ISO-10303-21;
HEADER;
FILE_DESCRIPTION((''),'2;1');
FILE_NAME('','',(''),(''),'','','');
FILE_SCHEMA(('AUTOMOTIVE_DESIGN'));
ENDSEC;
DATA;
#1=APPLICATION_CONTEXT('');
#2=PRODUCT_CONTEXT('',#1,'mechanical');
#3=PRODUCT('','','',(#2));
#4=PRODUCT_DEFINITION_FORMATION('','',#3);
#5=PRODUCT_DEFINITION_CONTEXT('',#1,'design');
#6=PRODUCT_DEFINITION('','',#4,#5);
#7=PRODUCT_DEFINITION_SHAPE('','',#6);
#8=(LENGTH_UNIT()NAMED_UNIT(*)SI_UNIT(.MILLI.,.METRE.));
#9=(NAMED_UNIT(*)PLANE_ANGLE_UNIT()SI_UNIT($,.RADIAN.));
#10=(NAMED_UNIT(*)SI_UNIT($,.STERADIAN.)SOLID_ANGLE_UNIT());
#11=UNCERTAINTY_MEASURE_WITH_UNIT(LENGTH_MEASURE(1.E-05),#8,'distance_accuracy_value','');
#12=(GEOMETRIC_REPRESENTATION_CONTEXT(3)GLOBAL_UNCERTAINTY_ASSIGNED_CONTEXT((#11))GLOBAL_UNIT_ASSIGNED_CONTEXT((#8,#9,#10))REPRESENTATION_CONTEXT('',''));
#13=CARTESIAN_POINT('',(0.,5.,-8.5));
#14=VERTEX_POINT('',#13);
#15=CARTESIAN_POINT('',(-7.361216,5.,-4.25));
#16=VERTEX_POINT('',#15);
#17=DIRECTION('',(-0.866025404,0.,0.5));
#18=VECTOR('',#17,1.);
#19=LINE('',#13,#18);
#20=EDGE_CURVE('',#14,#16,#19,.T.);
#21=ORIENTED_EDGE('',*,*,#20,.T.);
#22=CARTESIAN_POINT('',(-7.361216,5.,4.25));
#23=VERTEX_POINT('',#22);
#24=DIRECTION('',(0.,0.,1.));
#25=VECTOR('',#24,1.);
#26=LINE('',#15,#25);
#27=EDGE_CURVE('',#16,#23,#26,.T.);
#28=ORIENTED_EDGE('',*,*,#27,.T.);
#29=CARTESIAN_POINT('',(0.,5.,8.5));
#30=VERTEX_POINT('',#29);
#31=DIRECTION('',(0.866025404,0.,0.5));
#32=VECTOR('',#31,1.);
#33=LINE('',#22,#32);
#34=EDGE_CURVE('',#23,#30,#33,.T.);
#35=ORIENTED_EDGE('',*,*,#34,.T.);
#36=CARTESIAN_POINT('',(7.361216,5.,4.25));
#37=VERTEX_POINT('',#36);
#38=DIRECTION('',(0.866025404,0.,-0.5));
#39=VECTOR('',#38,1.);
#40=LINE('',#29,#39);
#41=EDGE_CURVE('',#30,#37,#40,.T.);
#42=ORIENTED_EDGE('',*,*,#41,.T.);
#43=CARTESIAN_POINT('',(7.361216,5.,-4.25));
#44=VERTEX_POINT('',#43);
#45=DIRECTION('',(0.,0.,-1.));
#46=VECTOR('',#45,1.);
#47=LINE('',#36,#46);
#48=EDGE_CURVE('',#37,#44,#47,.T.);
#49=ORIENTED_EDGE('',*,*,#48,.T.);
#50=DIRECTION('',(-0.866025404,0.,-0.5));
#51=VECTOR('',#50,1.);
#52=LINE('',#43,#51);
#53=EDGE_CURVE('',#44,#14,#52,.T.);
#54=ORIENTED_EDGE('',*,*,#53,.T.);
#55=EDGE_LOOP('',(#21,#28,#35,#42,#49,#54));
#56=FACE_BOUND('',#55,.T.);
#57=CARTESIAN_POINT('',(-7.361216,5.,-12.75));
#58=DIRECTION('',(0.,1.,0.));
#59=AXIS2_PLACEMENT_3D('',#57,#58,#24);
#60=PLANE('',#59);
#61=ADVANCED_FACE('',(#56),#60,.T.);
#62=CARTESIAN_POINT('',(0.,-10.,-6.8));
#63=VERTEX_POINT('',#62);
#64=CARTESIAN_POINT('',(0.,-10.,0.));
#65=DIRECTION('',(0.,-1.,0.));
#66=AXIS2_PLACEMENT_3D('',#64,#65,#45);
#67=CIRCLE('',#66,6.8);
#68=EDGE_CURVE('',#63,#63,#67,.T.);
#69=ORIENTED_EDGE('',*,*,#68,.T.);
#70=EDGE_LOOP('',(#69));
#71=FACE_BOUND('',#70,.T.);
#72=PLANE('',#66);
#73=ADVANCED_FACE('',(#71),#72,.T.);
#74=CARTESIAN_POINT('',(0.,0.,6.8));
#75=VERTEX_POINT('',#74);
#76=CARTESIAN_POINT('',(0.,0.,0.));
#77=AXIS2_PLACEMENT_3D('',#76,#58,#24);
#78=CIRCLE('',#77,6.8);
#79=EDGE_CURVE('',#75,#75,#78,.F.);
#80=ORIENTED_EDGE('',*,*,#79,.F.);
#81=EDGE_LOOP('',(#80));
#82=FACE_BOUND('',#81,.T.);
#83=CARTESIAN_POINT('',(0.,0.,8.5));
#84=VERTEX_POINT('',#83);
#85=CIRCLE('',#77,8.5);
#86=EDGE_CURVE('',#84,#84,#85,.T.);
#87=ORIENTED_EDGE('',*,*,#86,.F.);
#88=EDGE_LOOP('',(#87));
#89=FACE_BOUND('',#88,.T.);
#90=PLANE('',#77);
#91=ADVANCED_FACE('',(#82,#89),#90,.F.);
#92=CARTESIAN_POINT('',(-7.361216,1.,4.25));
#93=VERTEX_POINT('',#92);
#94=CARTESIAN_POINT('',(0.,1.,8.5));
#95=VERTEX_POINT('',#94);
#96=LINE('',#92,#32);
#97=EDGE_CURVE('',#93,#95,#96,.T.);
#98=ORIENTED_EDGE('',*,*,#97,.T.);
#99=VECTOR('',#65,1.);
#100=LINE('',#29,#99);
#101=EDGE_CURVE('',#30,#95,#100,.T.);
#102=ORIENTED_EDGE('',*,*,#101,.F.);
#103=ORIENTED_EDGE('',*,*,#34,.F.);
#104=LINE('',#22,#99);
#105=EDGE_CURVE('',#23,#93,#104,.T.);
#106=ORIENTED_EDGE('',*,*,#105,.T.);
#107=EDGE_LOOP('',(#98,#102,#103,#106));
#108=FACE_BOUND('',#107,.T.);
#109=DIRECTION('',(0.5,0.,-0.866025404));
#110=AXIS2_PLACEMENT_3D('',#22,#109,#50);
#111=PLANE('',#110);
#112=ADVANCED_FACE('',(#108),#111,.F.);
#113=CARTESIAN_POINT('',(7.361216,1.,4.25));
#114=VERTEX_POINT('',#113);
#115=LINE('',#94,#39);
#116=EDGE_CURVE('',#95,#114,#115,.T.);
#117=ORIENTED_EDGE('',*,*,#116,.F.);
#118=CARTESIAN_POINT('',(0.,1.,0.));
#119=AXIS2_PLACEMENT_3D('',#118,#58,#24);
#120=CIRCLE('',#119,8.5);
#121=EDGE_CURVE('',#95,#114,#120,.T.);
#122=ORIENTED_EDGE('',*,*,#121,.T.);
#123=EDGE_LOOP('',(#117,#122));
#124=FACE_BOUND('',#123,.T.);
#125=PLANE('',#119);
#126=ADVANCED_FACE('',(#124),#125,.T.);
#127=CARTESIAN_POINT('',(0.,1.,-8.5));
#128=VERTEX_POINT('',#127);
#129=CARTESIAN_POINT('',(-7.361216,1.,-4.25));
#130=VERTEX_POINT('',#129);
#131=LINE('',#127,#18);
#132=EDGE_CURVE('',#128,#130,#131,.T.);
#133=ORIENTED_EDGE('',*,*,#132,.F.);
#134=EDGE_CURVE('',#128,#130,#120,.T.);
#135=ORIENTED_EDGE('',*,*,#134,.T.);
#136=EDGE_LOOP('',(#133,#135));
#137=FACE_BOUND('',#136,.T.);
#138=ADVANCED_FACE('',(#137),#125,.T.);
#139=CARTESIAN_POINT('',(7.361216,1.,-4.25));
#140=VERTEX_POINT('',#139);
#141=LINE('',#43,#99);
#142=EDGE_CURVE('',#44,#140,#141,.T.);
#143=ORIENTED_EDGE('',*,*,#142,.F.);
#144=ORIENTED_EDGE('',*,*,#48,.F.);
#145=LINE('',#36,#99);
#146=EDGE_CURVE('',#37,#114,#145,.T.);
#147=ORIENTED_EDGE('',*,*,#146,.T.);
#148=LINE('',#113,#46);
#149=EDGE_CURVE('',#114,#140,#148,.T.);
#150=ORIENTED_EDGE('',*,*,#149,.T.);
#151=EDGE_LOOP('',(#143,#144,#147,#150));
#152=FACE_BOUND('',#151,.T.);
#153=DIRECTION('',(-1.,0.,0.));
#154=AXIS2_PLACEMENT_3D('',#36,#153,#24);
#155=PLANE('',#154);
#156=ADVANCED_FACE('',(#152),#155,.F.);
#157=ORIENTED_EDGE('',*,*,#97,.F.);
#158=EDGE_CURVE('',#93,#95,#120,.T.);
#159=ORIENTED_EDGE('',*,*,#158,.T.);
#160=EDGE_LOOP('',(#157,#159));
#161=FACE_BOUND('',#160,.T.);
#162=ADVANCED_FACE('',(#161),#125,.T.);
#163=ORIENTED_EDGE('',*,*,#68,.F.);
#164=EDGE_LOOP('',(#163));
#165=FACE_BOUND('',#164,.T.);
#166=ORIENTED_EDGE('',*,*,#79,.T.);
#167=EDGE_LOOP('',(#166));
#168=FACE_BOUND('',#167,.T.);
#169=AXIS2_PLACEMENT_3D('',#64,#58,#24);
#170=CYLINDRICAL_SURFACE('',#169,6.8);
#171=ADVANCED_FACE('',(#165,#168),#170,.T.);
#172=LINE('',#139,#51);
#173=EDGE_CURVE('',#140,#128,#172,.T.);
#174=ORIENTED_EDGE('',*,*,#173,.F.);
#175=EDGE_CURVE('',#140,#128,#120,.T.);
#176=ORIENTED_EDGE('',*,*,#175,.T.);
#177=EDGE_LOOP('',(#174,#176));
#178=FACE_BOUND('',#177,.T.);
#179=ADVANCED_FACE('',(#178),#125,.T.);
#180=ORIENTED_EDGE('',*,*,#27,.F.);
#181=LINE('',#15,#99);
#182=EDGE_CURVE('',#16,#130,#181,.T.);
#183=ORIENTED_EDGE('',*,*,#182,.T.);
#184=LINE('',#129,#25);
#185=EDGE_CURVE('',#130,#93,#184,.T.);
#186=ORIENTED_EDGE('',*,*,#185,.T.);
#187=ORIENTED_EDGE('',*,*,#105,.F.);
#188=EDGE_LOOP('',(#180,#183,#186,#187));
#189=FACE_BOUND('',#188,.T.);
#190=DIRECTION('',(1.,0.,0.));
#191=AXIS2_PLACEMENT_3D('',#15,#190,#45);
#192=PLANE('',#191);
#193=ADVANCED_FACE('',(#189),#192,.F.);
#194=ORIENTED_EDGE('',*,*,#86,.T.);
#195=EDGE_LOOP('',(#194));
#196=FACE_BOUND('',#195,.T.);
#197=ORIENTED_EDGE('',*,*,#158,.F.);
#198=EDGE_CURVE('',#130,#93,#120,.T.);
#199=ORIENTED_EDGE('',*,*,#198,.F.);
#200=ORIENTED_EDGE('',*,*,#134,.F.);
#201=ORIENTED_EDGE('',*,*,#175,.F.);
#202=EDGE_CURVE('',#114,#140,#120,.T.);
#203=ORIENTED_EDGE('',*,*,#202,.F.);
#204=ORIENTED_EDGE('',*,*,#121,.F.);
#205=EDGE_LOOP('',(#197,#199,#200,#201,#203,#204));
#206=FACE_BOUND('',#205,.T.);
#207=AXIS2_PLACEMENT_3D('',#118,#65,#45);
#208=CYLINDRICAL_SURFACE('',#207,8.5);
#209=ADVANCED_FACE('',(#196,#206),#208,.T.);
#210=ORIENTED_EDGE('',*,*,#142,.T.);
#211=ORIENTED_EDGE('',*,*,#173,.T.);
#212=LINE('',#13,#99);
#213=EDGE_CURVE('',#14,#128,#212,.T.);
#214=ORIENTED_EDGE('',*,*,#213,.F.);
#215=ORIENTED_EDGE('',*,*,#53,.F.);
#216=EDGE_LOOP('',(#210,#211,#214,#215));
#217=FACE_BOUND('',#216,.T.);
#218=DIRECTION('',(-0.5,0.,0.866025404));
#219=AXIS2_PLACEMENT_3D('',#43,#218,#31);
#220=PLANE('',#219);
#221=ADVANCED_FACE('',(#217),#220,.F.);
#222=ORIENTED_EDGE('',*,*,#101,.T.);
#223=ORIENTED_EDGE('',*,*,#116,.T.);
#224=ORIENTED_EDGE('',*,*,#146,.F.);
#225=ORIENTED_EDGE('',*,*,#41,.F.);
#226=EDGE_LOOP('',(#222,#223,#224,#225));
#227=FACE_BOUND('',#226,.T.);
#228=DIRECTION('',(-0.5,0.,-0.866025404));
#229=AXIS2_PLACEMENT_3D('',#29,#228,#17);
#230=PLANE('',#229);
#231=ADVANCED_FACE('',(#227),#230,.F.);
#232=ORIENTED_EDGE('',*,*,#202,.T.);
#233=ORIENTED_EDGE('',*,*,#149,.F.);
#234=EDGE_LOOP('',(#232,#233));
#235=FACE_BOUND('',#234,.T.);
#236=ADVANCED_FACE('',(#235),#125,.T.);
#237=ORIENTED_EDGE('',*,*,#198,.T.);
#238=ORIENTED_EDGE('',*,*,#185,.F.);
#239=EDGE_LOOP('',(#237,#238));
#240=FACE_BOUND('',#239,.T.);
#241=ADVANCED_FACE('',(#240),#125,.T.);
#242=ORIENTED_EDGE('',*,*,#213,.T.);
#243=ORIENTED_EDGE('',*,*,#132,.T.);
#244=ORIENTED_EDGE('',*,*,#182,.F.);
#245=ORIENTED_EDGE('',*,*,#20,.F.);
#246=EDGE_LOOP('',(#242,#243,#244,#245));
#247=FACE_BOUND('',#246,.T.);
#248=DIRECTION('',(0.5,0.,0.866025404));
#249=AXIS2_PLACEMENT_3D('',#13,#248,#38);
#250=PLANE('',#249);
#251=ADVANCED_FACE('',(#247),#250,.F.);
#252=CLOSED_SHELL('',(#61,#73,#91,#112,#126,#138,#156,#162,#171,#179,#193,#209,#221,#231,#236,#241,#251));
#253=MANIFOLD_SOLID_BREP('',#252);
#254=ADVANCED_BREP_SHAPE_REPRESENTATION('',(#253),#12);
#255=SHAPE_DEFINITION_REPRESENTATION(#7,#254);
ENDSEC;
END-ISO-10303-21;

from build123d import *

# Parameters (mm, degrees)
SKETCH1_R      = 8.5
EXTRUDE1_DEPTH = 1
EXTRUDE2_DEPTH = 4
SKETCH3_R      = 6.8
EXTRUDE3_DEPTH = 10


with BuildPart() as part:
    # Sketch1 → Extrude1 (new body)
    with BuildSketch(Plane(origin=(0, 0, 0), x_dir=(1, 0, 0), z_dir=(0, 1, 0))):
        with Locations(Location((0, 0, 0), (0, 0, 270))):
            Circle(SKETCH1_R)
    extrude(amount=EXTRUDE1_DEPTH)

    # Sketch2 → Extrude2 (add)
    with BuildSketch(Plane(origin=(0, 1, 0), x_dir=(1, 0, 0), z_dir=(0, 1, 0))):
        Polygon((0, 8.5), (-7.361215932, 4.25), (-7.361215932, -4.25), (0, -8.5), (7.361215932, -4.25), (7.361215932, 4.25), align=None)
    extrude(amount=EXTRUDE2_DEPTH)

    # Sketch3 → Extrude3 (add)
    with BuildSketch(Plane.XZ):
        with Locations(Location((0, 0, 0), (0, 0, 90))):
            Circle(SKETCH3_R)
    extrude(amount=EXTRUDE3_DEPTH)


solid = part.part
